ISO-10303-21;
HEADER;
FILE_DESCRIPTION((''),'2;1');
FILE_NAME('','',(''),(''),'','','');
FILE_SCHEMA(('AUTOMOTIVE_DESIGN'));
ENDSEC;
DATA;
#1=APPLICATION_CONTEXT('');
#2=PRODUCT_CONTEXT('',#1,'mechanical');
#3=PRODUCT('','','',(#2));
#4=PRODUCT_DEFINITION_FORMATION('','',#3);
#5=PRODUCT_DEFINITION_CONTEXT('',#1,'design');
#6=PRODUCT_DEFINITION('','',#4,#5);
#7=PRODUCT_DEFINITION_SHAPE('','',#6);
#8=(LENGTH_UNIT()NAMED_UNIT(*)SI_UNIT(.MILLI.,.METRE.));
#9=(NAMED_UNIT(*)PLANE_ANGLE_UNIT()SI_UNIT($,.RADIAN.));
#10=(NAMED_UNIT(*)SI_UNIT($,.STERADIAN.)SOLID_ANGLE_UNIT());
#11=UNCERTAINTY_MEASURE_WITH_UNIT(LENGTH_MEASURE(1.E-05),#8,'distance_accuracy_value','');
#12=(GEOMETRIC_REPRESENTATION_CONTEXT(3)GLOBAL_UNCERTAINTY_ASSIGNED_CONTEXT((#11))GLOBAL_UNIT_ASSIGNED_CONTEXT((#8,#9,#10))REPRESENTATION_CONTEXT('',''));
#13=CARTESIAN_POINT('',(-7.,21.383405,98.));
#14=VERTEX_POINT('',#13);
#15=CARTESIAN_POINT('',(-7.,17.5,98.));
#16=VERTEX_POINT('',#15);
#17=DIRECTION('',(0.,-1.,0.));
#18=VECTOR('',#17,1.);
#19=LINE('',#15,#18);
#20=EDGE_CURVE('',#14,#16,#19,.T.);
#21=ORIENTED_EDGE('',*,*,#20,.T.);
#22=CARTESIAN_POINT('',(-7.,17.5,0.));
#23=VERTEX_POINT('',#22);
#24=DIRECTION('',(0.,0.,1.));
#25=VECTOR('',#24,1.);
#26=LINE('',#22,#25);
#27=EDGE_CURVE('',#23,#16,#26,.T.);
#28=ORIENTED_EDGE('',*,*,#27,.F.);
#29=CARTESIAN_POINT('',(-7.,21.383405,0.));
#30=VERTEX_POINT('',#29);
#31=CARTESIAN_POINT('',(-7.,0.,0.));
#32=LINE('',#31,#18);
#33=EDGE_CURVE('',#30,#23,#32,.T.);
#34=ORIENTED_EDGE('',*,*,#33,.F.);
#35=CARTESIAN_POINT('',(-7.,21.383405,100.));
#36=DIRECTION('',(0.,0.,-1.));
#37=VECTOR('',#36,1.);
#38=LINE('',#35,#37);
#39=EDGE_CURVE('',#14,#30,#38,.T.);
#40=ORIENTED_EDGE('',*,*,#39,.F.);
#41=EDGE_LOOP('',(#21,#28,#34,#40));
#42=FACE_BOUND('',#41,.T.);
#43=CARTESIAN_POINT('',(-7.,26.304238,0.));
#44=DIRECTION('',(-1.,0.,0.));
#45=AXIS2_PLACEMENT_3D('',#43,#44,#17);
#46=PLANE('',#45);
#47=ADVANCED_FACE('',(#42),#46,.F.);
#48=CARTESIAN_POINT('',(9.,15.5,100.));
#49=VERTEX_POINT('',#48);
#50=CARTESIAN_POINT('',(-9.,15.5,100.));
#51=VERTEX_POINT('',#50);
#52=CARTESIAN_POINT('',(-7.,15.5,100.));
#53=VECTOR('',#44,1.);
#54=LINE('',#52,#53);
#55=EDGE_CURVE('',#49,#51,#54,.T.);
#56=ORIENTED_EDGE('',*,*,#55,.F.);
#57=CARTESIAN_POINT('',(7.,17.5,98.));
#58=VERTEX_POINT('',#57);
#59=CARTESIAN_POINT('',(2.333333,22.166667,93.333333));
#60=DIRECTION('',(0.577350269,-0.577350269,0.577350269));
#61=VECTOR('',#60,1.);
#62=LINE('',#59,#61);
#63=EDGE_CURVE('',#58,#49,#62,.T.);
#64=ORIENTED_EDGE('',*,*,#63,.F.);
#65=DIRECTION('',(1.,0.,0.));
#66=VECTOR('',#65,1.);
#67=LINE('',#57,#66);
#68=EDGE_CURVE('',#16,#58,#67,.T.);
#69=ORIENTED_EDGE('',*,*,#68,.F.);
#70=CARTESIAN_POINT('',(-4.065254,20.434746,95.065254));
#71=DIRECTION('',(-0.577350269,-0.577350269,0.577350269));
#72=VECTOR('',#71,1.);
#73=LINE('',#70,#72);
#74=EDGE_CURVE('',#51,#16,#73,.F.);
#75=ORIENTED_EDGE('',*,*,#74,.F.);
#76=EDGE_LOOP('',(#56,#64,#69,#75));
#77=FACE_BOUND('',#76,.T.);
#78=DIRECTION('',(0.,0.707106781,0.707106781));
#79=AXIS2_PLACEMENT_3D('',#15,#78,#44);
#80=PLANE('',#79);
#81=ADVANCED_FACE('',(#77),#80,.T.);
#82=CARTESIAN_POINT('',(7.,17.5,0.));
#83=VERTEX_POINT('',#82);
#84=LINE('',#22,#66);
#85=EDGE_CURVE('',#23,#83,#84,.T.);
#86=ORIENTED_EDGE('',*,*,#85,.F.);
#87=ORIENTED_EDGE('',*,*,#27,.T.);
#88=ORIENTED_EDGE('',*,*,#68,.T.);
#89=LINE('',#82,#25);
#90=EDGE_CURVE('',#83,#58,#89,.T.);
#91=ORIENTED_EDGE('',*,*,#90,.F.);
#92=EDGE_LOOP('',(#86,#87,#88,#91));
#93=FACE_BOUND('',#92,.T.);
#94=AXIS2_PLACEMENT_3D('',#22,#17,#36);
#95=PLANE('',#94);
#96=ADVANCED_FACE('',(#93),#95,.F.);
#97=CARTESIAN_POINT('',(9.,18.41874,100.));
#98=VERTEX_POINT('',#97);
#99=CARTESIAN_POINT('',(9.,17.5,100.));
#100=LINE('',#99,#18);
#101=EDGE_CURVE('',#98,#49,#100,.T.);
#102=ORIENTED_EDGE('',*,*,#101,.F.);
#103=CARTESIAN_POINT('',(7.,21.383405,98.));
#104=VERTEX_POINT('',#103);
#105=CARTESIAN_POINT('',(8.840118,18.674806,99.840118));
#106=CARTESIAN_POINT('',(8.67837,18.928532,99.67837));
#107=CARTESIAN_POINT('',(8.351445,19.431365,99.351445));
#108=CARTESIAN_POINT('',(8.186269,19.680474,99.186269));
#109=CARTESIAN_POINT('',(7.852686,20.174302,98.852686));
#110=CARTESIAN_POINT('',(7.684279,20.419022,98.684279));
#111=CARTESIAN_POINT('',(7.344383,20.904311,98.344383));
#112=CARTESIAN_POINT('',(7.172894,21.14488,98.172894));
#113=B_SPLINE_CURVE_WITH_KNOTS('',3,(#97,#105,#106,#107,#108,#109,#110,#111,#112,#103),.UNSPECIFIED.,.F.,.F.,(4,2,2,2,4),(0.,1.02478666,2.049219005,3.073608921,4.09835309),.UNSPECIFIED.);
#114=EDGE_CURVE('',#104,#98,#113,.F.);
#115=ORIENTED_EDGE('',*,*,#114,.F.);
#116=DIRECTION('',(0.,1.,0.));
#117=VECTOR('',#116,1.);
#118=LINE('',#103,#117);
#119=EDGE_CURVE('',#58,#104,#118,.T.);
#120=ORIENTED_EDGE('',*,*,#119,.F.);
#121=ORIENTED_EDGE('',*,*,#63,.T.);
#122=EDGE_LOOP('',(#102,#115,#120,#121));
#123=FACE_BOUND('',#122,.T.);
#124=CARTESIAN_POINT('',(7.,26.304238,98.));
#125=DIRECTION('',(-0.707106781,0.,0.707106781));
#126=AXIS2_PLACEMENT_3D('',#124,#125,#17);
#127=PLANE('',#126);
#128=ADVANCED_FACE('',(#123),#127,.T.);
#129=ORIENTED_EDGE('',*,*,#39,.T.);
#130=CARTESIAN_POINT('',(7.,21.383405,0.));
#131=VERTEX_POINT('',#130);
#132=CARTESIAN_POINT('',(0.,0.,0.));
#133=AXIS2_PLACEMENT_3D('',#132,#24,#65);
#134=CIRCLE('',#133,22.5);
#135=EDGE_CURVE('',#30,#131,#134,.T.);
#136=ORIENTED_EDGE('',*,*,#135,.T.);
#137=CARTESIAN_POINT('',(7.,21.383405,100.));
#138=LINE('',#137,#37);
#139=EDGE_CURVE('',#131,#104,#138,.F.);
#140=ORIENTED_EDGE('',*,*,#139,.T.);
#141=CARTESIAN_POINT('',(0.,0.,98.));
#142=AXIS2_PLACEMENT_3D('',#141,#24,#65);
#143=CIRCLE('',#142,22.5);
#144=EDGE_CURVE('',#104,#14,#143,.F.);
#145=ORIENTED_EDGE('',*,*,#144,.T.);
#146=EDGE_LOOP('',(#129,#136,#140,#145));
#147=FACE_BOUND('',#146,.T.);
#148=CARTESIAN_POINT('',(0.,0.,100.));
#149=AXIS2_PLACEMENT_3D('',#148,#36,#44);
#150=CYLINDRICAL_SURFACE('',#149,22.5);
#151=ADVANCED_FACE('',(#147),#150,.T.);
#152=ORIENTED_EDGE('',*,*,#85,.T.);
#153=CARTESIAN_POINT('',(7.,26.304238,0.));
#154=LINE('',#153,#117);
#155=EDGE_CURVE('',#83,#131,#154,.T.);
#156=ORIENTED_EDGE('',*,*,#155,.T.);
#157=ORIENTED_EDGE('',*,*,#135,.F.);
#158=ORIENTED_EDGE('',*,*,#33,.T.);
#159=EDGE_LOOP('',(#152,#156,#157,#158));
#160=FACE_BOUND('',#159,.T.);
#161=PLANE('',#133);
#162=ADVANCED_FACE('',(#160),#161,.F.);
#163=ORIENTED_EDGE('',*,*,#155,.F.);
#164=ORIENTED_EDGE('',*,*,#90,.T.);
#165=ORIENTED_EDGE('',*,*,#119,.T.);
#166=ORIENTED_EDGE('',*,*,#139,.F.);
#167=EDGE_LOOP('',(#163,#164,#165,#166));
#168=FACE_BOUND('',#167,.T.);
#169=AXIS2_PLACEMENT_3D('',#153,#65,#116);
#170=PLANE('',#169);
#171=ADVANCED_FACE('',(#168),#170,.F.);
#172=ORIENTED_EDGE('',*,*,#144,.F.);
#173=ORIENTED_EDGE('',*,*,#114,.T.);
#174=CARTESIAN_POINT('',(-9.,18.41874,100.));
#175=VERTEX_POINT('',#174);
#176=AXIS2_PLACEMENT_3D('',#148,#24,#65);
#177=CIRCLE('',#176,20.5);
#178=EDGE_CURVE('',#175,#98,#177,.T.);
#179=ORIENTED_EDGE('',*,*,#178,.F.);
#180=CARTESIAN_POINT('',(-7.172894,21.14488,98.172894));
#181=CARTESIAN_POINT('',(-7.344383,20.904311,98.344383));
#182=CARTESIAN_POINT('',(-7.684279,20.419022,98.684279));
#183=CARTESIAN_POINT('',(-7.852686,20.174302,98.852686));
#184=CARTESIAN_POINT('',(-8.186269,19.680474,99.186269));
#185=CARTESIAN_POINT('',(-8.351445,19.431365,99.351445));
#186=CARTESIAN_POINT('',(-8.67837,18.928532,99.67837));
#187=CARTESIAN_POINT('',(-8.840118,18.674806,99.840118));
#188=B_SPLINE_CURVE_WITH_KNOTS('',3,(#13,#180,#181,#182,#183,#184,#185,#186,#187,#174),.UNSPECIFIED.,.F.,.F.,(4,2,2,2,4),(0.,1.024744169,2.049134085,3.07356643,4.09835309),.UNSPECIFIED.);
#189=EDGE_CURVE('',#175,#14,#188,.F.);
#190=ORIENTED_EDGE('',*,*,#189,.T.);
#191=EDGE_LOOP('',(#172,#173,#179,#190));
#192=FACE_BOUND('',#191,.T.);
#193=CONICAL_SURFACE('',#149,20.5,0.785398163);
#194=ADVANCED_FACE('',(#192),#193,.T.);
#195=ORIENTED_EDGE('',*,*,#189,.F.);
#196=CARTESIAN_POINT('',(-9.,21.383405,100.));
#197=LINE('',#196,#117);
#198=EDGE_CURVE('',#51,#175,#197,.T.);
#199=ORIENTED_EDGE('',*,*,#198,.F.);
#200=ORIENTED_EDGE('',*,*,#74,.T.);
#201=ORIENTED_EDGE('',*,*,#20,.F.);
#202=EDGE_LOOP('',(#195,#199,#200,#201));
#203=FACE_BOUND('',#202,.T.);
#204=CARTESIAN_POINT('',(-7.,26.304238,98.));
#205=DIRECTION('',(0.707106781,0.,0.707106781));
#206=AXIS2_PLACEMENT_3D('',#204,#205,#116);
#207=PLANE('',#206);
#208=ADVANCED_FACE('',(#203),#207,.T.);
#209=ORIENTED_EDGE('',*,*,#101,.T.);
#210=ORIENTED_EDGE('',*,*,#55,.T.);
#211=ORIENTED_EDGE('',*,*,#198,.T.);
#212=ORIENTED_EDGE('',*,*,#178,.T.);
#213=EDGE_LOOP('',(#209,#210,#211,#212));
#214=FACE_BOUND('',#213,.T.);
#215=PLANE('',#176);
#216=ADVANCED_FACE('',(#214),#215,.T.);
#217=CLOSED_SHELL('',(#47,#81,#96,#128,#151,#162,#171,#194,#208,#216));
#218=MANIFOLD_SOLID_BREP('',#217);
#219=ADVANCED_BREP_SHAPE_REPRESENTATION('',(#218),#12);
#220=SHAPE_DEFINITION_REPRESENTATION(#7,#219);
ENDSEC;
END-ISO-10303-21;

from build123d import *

# Parameters (mm, degrees)
SKETCH1_R           = 22.5
BOSS_EXTRUDE1_DEPTH = 100
SKETCH2_W           = 14
SKETCH2_H           = 8.804237579
CUT_EXTRUDE1_DEPTH  = 105.940459309
CHAMFER1_SIZE       = 2


with BuildPart() as part:
    # Sketch1 → Boss-Extrude1 (new body)
    with BuildSketch(Plane.XY):
        Circle(SKETCH1_R)
    extrude(amount=BOSS_EXTRUDE1_DEPTH)

    # Sketch2 → Cut-Extrude1 (cut, through all)
    with BuildSketch(Plane.XY.offset(100)):
        with Locations((0, 21.90211879)):
            Rectangle(SKETCH2_W, SKETCH2_H)
    extrude(amount=-CUT_EXTRUDE1_DEPTH, mode=Mode.SUBTRACT)

    # Chamfer1
    chamfer1_edges = [part.edges().sort_by_distance(p)[0] for p in [
        (7, 19.44170239, 100),
        (-7, 19.44170239, 100),
        (0, 17.5, 100),
        (0, -22.5, 100),
    ]]
    chamfer(chamfer1_edges, length=CHAMFER1_SIZE)


solid = part.part
